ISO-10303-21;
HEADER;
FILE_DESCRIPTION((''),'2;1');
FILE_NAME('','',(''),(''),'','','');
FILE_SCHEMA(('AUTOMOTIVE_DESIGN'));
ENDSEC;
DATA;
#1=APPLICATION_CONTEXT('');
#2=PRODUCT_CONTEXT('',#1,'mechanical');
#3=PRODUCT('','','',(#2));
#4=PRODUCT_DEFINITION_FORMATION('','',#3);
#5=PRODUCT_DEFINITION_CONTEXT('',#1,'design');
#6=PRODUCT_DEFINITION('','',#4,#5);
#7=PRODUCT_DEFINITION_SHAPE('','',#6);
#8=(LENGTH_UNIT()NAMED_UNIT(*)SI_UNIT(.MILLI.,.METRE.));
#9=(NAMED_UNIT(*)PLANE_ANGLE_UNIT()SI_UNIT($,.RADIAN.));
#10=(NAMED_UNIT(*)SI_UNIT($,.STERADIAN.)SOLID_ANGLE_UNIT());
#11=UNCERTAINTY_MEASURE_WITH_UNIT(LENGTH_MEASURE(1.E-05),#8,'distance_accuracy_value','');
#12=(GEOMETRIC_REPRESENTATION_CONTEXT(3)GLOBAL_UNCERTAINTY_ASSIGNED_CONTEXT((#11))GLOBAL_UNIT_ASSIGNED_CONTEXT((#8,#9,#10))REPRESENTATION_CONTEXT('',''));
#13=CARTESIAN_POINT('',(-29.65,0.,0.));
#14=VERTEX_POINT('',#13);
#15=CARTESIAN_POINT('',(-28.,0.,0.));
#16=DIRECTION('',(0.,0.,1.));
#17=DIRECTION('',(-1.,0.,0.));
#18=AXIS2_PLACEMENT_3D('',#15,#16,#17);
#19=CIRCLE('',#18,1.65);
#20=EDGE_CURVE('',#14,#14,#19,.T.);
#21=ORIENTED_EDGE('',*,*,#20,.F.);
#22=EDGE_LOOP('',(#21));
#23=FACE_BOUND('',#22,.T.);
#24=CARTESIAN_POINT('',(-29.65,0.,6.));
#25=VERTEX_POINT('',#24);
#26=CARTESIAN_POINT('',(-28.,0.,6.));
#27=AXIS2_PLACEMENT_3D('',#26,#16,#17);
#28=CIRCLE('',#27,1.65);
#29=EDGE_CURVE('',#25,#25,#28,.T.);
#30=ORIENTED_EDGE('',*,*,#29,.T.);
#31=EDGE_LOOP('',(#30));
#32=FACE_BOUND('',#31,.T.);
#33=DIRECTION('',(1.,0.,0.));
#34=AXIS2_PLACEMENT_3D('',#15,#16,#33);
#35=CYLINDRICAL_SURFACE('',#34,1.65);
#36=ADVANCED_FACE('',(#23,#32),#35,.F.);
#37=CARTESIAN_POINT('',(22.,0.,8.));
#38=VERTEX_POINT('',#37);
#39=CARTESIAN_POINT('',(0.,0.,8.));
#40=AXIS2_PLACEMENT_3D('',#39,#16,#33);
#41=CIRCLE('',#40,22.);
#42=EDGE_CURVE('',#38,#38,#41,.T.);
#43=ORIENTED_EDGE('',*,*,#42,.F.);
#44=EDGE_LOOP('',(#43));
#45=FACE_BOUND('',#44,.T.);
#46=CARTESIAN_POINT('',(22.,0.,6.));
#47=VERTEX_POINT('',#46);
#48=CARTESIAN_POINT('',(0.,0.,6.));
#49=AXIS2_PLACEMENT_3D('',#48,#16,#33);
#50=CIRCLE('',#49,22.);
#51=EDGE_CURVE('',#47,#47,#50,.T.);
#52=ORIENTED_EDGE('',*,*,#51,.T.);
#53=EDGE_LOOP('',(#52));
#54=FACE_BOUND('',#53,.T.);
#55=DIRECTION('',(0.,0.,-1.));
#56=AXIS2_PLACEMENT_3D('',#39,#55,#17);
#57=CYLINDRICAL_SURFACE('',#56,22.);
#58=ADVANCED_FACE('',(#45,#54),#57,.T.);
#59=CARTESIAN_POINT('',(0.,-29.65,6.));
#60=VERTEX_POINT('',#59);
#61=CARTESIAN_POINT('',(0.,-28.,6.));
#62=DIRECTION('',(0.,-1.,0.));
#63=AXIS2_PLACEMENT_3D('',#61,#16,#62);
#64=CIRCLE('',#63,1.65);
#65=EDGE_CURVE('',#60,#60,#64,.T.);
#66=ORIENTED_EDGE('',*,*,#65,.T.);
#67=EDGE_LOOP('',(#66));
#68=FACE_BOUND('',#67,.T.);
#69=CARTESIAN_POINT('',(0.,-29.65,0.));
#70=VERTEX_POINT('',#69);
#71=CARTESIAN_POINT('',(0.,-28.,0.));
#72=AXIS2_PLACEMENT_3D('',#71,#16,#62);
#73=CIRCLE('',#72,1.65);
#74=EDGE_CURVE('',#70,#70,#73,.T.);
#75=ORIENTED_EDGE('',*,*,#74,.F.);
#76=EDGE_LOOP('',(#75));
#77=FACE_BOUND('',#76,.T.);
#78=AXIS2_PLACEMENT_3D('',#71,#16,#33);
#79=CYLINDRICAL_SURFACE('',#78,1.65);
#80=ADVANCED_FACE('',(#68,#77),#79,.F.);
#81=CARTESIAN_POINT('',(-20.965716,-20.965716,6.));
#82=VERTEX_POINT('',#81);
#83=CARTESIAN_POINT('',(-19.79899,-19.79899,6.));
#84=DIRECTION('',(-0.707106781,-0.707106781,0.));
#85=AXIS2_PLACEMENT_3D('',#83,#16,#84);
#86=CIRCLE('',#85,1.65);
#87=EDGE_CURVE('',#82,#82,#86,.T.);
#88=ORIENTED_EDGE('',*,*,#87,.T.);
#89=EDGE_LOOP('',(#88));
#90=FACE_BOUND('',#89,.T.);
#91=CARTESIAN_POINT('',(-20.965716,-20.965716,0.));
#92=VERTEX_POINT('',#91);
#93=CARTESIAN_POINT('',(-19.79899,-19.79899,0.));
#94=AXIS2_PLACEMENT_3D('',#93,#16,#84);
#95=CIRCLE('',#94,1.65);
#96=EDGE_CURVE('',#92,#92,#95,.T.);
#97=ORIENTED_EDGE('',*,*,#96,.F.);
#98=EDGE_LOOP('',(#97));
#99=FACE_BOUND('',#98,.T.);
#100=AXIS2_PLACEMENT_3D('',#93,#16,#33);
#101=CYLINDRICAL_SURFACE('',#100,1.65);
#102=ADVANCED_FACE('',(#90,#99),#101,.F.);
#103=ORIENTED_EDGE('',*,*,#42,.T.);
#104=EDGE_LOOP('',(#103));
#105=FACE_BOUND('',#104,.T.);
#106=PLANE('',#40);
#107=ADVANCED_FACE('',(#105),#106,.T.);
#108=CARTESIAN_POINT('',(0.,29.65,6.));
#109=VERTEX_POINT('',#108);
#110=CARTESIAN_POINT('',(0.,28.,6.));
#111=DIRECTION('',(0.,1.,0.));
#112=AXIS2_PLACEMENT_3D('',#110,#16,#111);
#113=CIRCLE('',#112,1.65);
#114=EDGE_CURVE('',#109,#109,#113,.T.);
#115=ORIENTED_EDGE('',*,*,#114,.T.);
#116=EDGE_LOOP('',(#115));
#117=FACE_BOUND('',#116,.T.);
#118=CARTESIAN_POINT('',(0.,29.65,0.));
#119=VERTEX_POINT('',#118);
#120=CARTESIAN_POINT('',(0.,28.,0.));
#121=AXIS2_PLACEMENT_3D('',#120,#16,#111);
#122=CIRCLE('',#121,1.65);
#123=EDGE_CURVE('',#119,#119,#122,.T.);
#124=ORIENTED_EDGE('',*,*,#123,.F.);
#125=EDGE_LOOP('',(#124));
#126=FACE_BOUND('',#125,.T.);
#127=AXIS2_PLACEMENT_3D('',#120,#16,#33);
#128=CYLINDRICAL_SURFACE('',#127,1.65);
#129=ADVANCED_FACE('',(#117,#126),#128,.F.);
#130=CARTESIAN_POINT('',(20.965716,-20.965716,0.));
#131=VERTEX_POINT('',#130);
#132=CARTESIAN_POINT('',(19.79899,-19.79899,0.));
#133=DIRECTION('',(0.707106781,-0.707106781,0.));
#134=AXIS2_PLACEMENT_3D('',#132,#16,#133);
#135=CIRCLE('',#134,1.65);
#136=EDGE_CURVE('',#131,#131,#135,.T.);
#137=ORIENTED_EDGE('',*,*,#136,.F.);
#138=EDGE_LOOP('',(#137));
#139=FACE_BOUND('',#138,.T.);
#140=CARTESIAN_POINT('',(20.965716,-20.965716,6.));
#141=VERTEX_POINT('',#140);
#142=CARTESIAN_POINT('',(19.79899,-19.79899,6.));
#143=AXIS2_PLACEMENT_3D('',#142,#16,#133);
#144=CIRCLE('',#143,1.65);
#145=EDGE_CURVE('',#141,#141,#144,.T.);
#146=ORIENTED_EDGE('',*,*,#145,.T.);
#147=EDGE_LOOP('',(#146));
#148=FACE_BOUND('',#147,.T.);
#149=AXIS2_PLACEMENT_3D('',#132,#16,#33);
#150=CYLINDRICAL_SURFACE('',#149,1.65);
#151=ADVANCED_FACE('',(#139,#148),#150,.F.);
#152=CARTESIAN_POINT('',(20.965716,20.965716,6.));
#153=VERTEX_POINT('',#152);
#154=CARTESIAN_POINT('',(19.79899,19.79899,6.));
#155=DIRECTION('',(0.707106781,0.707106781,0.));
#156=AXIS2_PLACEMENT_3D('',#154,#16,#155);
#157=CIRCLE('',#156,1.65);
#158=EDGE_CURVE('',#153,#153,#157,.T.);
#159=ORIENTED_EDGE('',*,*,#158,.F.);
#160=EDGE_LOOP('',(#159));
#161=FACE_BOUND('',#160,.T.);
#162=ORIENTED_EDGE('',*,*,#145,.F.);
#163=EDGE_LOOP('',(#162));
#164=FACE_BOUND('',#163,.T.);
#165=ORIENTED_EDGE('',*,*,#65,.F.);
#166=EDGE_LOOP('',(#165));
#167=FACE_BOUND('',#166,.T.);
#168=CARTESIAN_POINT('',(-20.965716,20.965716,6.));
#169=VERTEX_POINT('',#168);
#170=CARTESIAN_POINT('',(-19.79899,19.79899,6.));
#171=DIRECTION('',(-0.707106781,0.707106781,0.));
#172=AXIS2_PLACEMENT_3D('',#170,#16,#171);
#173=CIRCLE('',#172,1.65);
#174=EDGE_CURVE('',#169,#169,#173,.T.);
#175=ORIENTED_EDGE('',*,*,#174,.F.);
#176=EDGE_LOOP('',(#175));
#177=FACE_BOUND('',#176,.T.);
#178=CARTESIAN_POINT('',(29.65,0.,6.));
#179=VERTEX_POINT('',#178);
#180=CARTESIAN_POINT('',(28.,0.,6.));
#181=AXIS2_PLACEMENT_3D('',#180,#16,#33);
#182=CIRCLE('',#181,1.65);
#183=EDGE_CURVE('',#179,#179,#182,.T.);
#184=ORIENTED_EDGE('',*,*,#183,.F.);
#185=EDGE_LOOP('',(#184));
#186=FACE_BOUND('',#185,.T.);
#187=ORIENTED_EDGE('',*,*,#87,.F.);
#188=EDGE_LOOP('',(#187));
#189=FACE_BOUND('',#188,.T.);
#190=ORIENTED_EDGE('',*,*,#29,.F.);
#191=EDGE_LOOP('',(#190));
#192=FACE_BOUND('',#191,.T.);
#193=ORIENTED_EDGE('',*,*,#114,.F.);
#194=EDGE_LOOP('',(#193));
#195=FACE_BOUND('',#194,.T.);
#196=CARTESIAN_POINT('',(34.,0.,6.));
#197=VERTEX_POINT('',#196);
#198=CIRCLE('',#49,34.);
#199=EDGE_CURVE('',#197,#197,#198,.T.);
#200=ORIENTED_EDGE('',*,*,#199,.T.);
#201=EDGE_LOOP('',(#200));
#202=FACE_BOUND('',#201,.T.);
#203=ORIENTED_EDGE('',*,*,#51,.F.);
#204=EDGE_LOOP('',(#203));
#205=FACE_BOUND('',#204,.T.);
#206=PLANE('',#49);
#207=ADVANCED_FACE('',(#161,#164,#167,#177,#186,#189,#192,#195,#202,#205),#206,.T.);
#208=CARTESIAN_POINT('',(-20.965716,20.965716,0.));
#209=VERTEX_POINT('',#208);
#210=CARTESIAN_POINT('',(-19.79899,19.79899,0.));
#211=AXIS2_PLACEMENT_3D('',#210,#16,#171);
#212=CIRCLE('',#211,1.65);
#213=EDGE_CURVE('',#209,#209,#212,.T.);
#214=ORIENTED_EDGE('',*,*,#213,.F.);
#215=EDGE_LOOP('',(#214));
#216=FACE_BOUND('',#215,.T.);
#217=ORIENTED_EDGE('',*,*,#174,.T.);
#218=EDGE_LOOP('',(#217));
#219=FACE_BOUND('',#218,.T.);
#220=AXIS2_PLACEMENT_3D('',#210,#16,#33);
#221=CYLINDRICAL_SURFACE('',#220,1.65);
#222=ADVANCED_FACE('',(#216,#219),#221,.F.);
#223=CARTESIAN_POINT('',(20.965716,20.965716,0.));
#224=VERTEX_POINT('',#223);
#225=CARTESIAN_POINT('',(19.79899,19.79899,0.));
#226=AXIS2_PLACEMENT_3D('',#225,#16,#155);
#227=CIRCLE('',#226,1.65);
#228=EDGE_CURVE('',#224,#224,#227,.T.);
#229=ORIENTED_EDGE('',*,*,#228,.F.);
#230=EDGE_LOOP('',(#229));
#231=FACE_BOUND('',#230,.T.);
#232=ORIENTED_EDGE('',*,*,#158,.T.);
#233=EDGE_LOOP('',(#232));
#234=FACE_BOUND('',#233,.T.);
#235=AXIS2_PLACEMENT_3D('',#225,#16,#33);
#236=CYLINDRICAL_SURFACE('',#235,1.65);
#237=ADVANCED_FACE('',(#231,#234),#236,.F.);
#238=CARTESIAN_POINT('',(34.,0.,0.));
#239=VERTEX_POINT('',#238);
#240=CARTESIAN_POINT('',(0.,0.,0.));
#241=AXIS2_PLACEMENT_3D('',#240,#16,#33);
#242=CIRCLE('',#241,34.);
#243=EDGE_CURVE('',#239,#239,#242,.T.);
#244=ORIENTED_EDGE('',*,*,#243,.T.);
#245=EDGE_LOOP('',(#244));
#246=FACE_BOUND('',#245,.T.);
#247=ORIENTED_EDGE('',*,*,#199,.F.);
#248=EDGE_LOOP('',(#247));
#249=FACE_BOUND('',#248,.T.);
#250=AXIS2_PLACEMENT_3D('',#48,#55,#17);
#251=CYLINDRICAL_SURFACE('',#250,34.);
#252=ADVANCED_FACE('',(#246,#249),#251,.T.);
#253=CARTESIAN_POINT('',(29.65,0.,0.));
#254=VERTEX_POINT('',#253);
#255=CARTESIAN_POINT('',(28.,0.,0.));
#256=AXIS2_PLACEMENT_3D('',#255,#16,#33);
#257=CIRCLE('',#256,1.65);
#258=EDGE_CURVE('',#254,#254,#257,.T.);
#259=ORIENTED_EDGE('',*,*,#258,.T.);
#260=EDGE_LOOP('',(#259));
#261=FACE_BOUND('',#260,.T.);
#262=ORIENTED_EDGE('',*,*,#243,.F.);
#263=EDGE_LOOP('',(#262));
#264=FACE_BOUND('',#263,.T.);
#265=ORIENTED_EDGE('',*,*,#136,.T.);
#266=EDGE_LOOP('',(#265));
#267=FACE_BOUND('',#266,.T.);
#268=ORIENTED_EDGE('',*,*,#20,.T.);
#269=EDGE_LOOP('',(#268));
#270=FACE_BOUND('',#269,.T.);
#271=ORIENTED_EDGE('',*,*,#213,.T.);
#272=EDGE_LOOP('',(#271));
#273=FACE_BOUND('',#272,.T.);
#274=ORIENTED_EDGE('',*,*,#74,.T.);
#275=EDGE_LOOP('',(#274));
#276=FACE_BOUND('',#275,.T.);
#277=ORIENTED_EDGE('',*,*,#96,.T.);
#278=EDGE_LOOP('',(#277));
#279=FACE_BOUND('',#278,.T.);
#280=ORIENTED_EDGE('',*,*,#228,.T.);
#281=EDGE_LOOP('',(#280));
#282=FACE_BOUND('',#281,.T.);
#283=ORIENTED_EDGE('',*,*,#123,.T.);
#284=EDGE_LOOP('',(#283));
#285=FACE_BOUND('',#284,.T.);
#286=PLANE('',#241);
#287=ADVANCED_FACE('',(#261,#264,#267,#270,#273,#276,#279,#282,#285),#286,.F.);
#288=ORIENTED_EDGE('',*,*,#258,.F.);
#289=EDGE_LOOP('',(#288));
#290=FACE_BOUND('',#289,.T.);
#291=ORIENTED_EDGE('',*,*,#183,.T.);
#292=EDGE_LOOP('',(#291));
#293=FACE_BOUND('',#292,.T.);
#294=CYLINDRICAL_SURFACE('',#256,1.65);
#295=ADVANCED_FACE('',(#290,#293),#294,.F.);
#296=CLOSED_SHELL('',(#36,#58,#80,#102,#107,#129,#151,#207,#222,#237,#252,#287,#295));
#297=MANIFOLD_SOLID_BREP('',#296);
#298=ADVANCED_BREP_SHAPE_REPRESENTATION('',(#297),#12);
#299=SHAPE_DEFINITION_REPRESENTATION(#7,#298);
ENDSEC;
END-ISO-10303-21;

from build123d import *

# Parameters (mm, degrees)
SK_DISC_R                 = 34
OUTPUT_DISC_DEPTH         = 6
SK_PILOT_R                = 22
PILOT_BOSS_DEPTH          = 2
SK_OUTHOLE_R              = 1.65
OUTPUT_TAPPED_HOLE_DEPTH  = 6
OUTPUT_HOLE_PATTERN_COUNT = 8


with BuildPart() as part:
    # SK_Disc → Output_Disc (new body)
    with BuildSketch(Plane.XY):
        Circle(SK_DISC_R)
    extrude(amount=OUTPUT_DISC_DEPTH)

    # SK_Pilot → Pilot_Boss (add)
    with BuildSketch(Plane.XY.offset(6)):
        Circle(SK_PILOT_R)
    extrude(amount=PILOT_BOSS_DEPTH)

    # SK_OutHole → Output_Tapped_Hole (cut)
    with BuildSketch(Plane.XY.offset(6)):
        with Locations((28, 0)):
            Circle(SK_OUTHOLE_R)
    output_tapped_hole = extrude(amount=-OUTPUT_TAPPED_HOLE_DEPTH, mode=Mode.SUBTRACT)

    # Output_Hole_Pattern: Output_Tapped_Hole ×8 about axis
    output_hole_pattern_axis = Axis((0, 0, -0.4), (0, 0, 1))
    for i in range(1, OUTPUT_HOLE_PATTERN_COUNT):
        add(output_tapped_hole.rotate(output_hole_pattern_axis, i * 360 / OUTPUT_HOLE_PATTERN_COUNT), mode=Mode.SUBTRACT)


solid = part.part
